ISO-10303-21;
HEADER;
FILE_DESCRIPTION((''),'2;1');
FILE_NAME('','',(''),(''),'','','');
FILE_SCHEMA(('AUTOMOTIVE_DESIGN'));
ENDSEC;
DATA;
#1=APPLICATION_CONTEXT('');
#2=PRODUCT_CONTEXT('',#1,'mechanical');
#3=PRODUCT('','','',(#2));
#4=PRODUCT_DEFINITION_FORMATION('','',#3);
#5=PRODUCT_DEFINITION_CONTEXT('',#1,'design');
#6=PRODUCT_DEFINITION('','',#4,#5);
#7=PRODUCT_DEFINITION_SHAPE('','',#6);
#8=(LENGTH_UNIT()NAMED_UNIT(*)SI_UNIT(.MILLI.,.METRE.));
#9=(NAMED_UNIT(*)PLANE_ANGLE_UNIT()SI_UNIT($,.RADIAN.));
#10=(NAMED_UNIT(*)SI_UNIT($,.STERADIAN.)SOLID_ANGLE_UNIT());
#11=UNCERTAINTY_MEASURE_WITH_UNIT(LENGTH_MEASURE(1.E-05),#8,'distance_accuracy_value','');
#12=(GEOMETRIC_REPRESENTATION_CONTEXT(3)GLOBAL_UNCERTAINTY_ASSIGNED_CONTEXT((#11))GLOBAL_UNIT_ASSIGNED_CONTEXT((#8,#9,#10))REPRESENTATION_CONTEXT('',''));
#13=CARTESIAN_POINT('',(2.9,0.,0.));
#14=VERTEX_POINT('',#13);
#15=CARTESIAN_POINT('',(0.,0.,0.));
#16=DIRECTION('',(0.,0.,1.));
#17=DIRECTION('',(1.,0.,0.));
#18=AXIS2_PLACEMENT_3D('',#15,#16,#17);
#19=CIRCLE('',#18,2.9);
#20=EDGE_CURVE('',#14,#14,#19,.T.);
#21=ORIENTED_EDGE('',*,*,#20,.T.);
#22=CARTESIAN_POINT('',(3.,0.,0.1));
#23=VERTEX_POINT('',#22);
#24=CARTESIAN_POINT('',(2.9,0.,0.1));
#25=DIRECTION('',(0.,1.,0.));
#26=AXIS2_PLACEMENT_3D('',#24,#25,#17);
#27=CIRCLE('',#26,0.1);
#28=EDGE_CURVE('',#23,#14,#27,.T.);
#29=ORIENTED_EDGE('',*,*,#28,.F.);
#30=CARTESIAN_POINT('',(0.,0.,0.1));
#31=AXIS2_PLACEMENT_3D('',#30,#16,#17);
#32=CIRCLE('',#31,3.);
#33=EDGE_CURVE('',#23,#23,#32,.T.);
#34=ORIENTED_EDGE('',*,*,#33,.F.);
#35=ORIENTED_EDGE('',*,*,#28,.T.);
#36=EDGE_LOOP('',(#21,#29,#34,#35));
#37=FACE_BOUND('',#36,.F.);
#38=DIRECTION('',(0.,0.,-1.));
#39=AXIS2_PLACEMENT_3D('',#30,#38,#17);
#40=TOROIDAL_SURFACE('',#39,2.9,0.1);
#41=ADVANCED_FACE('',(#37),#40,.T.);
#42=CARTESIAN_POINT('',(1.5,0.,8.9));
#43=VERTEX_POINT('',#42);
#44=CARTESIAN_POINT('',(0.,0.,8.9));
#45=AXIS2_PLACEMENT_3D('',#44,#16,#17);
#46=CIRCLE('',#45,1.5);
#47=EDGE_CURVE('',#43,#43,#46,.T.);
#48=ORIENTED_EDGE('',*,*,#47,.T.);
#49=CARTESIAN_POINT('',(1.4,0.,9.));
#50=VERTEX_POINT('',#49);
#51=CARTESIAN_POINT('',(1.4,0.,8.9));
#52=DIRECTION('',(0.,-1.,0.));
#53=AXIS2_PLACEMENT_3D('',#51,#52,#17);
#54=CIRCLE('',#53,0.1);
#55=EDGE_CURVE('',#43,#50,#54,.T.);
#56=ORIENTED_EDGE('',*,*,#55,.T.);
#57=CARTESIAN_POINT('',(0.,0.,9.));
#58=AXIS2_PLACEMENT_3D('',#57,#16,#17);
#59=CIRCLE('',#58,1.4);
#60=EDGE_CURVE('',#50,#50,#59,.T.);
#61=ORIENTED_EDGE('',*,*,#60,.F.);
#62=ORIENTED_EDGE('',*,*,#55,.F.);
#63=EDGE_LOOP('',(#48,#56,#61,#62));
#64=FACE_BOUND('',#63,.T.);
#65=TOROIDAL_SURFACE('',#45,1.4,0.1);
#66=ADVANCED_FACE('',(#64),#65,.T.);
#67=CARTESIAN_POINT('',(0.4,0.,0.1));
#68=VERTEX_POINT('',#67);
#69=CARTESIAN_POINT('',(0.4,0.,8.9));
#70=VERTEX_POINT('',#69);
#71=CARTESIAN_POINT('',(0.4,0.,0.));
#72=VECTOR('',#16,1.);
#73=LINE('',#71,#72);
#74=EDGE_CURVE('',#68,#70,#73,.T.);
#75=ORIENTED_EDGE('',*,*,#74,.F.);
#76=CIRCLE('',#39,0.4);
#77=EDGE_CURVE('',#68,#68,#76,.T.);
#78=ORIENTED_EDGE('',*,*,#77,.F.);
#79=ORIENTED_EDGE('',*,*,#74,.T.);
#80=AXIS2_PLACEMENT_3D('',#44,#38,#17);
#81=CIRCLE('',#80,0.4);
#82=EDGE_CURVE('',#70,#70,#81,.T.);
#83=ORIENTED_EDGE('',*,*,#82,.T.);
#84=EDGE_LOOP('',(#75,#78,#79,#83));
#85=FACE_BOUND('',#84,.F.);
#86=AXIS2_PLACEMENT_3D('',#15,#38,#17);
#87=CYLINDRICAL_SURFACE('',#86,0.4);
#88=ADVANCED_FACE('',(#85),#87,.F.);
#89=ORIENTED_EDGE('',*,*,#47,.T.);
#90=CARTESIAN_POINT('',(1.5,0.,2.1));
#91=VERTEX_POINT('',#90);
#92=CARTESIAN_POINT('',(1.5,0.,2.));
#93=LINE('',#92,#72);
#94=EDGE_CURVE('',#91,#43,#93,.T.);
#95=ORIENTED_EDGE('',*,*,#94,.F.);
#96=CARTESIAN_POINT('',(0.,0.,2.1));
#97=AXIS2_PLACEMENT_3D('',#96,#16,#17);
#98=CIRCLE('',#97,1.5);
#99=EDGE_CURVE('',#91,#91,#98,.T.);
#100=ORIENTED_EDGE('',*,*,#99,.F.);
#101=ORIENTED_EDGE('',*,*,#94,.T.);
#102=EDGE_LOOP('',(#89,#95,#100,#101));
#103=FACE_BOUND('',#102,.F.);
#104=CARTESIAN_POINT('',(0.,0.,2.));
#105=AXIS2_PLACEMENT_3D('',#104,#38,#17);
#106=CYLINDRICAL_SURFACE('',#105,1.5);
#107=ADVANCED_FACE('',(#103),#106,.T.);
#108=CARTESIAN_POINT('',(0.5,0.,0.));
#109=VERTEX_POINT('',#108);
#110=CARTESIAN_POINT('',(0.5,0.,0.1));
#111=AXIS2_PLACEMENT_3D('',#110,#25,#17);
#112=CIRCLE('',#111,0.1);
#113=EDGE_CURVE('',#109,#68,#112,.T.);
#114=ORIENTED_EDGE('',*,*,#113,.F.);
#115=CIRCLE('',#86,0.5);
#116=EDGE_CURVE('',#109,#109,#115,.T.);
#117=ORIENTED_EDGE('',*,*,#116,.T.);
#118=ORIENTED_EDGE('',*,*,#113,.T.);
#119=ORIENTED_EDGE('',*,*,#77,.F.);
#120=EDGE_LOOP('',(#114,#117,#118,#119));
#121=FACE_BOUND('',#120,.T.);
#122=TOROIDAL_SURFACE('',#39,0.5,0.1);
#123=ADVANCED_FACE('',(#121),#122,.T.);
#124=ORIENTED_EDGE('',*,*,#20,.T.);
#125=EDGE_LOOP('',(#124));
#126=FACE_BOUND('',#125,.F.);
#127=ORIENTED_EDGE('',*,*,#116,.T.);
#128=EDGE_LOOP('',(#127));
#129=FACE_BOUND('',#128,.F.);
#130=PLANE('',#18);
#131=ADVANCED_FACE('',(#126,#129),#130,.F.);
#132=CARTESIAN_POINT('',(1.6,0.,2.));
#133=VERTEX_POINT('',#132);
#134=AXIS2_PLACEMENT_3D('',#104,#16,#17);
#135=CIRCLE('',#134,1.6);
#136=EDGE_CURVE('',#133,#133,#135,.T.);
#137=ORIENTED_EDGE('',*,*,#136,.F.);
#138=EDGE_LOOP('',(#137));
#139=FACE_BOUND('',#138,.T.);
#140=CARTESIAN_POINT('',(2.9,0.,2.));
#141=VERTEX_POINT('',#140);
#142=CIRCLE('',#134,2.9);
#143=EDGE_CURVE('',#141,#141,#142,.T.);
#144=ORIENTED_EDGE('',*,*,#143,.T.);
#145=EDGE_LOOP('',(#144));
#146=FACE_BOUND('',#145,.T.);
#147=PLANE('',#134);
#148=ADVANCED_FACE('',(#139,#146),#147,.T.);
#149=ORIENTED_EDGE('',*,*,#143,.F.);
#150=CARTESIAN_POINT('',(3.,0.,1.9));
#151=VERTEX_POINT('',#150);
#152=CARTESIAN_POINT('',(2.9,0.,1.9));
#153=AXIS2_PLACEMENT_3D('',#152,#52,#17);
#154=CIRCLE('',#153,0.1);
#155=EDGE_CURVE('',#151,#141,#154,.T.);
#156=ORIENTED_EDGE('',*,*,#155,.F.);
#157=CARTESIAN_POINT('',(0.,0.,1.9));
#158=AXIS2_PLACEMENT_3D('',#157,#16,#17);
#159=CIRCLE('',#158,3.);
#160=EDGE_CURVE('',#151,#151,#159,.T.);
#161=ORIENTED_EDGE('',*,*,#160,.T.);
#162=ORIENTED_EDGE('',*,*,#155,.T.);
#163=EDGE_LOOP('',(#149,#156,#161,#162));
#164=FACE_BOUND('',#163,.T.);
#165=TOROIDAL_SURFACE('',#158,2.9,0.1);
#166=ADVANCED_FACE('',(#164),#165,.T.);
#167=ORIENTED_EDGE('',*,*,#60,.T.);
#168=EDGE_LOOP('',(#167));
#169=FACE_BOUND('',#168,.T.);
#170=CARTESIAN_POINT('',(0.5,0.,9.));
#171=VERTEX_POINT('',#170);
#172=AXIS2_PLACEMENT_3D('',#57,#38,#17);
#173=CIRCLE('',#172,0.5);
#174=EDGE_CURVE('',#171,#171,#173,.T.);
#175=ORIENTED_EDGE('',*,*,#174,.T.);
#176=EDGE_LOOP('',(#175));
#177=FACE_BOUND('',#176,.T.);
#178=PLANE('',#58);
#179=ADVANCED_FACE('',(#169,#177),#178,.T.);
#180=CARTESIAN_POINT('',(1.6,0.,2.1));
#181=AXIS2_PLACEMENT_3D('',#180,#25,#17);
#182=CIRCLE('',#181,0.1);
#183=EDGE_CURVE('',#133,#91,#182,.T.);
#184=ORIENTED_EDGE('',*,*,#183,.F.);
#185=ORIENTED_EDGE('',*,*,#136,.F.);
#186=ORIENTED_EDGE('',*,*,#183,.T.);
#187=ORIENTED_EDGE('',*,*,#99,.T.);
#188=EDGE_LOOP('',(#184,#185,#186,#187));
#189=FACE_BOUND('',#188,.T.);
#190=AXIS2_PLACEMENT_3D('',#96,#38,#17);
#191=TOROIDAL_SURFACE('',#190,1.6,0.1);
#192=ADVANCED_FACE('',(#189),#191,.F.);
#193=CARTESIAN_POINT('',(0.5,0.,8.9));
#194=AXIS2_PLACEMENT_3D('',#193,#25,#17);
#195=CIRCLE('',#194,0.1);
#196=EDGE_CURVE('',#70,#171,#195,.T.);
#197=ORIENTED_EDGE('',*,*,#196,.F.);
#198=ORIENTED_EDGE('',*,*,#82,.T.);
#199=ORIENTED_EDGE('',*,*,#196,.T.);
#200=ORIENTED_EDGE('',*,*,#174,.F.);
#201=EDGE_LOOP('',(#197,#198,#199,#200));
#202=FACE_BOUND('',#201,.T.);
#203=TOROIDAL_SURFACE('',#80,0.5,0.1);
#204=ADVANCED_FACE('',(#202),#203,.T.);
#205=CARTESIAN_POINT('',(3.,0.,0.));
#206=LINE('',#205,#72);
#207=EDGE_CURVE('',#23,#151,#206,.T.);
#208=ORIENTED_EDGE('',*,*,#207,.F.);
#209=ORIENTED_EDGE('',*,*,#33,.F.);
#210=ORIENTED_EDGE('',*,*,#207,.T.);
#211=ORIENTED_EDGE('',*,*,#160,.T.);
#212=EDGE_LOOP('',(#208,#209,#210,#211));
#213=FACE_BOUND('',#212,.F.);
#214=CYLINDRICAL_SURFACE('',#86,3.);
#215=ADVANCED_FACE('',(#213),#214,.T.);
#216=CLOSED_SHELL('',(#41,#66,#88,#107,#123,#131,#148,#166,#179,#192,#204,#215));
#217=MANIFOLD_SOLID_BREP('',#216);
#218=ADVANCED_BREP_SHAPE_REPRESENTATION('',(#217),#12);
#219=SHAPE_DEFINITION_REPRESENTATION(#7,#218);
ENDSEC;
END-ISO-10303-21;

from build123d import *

# Parameters (mm, degrees)
F0_R     = 3
F1_DEPTH = 2
F2_R     = 1.5
F3_DEPTH = 7
F4_R     = 0.4
F5_DEPTH = 9.001
F6_R     = 0.1


with BuildPart() as f1:
    # F0 (on Top) → F1 (new body)
    with BuildSketch(Plane.XY):
        Circle(F0_R)
    extrude(amount=F1_DEPTH)

    # F2 (on face) → F3 (join)
    with BuildSketch(Plane.XY.offset(2)):
        Circle(F2_R)
    extrude(amount=F3_DEPTH)

    # F4 (on face) → F5 (cut, through all)
    with BuildSketch(Plane(origin=(0, 0, 0), x_dir=(1, 0, 0), z_dir=(0, 0, -1))):
        Circle(F4_R)
    extrude(amount=-F5_DEPTH, mode=Mode.SUBTRACT)

    # F6
    f6_edges = [f1.edges().sort_by_distance(p)[0] for p in [
        (-0.4, 0, 9),
        (-0.4, 0, 0),
        (-3, 0, 0),
        (-3, 0, 2),
        (-1.5, 0, 2),
        (-1.5, 0, 9),
    ]]
    fillet(f6_edges, radius=F6_R)


solid = f1.part
